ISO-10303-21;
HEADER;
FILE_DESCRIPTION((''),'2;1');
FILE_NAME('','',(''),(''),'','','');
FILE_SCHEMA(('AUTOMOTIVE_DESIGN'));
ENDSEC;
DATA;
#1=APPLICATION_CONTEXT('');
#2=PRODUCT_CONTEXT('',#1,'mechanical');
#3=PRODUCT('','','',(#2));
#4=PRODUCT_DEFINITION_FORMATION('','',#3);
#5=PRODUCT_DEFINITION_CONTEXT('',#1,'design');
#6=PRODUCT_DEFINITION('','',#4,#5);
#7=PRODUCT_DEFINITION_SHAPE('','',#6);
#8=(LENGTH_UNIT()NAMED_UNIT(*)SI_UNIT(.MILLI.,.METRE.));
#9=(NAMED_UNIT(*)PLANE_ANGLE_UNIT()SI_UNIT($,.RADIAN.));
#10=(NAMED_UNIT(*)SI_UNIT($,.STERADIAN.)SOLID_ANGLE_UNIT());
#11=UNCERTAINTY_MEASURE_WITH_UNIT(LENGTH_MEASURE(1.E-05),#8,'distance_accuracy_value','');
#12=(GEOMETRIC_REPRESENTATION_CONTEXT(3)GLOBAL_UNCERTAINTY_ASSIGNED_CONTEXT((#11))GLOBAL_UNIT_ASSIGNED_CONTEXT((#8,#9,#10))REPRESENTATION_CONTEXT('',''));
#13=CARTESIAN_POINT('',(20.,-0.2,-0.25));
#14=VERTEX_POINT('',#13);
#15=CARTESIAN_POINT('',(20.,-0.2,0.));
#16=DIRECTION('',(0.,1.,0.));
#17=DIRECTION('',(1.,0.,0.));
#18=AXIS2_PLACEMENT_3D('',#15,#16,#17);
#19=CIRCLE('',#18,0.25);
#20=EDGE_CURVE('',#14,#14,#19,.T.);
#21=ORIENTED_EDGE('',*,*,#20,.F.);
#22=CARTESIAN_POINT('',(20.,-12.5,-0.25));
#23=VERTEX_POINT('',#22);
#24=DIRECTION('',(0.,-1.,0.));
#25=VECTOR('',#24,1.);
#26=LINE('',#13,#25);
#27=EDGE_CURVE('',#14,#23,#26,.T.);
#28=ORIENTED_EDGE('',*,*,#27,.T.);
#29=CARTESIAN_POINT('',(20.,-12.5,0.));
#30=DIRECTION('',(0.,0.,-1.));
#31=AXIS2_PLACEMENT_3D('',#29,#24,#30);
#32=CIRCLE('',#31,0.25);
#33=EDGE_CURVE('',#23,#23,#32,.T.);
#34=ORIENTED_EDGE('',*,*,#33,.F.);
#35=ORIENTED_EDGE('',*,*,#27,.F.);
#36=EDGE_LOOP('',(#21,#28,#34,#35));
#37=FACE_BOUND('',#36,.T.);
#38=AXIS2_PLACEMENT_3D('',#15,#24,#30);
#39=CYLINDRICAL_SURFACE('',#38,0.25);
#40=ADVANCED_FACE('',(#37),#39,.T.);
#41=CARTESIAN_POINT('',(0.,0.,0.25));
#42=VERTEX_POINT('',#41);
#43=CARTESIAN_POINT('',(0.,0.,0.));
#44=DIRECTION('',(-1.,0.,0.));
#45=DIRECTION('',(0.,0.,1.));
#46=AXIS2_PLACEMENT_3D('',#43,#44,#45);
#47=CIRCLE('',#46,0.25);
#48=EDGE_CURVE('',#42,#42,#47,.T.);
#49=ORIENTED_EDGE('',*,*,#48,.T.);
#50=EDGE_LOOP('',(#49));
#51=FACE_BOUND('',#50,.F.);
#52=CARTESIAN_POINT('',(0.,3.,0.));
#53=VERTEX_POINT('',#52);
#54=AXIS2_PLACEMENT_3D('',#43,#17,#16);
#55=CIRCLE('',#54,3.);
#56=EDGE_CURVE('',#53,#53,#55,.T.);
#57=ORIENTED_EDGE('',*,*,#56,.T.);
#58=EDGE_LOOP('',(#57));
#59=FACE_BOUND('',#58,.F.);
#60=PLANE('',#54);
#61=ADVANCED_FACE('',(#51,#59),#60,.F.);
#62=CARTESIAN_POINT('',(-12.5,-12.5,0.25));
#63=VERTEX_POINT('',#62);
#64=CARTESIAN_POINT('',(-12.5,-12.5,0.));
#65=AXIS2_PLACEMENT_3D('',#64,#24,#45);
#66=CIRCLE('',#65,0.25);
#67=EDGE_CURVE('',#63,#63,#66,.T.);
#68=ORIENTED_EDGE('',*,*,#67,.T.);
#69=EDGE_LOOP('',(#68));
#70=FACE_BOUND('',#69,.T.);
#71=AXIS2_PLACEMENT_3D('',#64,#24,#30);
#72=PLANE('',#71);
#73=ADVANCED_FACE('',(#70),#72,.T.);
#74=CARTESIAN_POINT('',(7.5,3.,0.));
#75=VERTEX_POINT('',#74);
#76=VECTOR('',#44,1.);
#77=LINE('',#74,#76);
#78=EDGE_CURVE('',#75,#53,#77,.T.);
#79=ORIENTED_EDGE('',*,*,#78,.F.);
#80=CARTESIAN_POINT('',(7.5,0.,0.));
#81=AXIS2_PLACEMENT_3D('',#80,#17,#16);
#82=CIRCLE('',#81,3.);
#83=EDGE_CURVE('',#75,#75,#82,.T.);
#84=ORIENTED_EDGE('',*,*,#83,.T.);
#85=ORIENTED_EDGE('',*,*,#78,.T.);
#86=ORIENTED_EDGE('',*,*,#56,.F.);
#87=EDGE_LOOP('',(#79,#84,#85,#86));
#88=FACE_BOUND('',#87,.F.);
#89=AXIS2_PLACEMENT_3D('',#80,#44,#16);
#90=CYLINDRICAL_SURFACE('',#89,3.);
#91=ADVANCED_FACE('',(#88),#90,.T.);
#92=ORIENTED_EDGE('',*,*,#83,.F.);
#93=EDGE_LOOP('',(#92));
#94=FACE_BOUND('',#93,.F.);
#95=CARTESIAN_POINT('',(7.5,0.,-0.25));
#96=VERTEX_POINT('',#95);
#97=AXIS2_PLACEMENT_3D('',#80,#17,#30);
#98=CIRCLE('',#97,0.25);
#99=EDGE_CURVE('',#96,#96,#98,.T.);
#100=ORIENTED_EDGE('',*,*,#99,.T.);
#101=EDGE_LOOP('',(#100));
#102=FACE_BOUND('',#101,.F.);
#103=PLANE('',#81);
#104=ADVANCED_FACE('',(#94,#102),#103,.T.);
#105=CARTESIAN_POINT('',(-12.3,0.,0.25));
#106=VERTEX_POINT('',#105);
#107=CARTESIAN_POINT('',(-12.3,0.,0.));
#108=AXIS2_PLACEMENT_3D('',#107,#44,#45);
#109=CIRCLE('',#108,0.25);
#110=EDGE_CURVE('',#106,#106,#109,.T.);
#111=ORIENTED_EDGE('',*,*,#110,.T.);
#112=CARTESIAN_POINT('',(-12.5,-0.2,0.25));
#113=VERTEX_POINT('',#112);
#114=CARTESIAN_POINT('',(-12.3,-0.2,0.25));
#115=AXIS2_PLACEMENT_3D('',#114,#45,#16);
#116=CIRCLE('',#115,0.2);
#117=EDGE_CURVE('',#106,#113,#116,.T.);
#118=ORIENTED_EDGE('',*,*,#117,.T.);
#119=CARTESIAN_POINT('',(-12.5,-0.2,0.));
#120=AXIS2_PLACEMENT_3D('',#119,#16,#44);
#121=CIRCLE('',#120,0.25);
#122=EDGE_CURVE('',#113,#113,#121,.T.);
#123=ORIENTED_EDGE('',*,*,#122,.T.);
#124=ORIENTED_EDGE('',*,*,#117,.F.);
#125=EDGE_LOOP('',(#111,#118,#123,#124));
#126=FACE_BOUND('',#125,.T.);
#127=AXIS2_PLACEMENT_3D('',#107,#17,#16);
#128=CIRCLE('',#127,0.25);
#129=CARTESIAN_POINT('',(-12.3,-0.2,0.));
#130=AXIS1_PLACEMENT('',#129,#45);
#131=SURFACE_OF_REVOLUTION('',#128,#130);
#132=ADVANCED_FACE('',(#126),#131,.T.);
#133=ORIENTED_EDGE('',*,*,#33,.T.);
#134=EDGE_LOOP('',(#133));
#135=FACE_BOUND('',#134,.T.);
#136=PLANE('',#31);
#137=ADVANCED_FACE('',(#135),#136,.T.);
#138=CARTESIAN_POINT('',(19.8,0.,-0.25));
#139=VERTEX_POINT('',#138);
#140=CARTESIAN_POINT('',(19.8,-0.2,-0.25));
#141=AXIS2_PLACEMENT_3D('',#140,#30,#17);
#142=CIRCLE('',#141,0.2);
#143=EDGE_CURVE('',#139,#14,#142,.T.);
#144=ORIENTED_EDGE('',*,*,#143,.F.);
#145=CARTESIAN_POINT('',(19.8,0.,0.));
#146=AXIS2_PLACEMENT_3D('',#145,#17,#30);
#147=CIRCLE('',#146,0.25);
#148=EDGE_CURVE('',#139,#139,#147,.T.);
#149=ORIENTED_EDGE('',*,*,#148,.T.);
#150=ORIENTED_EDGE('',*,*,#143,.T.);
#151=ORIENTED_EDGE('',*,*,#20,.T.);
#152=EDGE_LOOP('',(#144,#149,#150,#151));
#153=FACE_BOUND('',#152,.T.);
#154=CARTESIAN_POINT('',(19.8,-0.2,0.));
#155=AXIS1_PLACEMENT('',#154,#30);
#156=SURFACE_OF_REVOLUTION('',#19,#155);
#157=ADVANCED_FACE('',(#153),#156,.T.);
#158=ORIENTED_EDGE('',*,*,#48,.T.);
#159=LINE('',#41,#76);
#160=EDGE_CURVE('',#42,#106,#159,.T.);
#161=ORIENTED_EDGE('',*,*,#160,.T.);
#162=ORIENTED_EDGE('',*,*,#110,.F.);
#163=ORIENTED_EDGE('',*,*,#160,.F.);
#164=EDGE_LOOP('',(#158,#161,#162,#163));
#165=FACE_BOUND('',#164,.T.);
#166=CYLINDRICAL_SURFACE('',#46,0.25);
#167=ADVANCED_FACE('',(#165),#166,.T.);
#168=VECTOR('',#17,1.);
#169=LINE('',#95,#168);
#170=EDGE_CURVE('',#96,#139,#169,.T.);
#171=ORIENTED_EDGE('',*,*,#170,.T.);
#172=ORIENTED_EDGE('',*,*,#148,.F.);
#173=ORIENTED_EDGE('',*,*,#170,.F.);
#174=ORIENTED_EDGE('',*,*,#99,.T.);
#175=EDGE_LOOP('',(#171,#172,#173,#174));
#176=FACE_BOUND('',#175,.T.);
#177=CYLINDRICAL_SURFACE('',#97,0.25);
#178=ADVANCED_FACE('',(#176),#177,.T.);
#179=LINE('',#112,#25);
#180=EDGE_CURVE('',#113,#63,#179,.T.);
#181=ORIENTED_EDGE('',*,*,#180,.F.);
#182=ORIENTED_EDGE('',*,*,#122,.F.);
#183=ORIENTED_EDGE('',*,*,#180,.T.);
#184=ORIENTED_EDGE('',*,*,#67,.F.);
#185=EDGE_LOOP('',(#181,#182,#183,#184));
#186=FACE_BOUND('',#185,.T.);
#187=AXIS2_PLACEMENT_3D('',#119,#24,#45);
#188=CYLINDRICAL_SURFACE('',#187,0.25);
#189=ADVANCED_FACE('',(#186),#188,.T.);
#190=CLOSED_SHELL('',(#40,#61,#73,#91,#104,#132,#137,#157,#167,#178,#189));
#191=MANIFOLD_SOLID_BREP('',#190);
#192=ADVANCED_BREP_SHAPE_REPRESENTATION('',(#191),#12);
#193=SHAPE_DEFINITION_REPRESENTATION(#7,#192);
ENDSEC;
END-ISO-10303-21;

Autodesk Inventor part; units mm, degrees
ref_plane "YZ Plane" through (0, 0, 0) normal (1, 0, 0) x (0, 1, 0)
sketch "Sketch1" plane through (0, 0, 0) normal (0, 0, 1) x (1, 0, 0)
  line L0 (0, 0) -> (7.5, 0)
  line L1 (7.5, 0) -> (7.5, 3)
  line L2 (7.5, 3) -> (0, 3)
  line L3 (0, 3) -> (0, 0)
  dimension "d0" = 7.5
  dimension "d1" = 3
revolve "Revolution1" add sketch "Sketch1" angle 360 about axis through (0, 0, 0) along (1, 0, 0)
sketch "Sketch2" plane through (0, 0, 0) normal (0, 0, 1) x (1, 0, 0)
  line L0 (7.5, -3) -> (7.5, 3) projected
  line L1 (7.5, 0) -> (19.8, 0)
  line L2 (20, -0.2) -> (20, -12.5)
  line L3 (0, 0) -> (-12.3, 0)
  line L4 (-12.5, -0.2) -> (-12.5, -12.5)
  arc A0 (-12.3, 0) -> (-12.5, -0.2) centre (-12.3, -0.2) ccw
  arc A1 (20, -0.2) -> (19.8, 0) centre (19.8, -0.2) ccw
  point P0 (20, 0)
  point P1 (-12.5, 0)
  dimension "d3" = 12.5
  dimension "d4" = 12.5
  dimension "d5" = 12.5
  dimension "d6" = 12.5
  dimension "d7" = 0.2
ref_plane "Work Plane1" through (7.5, 0, 0) normal (1, 0, 0) x (0, 0, -1)
ref_plane "Work Plane2" through (0, 0, 0) normal (-1, 0, 0) x (0, 0, 1)
sketch "Sketch3" plane through (7.5, 0, 0) normal (1, 0, 0) x (0, 0, -1)
  circle A0 centre (0, 0) radius 0.25
  dimension "d10" = 0.5
sketch "Sketch4" plane through (0, 0, 0) normal (-1, 0, 0) x (0, 0, 1)
  circle A0 centre (0, 0) radius 0.25
  dimension "d11" = 0.5
sweep "Sweep1" add profiles "Sketch4" path "Sketch2" path curves L3 A0 L4
sweep "Sweep2" add profiles "Sketch3" path "Sketch2" path curves L1 A1 L2
equation "\"BendRadius\" = Thickness"
equation "\"BendReliefWidth\" = Thickness"
equation "\"BendReliefDepth\" = 0.5 * Thickness"
equation "\"CornerReliefSize\" = 4 * Thickness"
equation "\"MinimumRemnant\" = 2 * Thickness"
equation "\"TransitionRadius\" = BendRadius"
equation "\"JacobiRadiusSize\" = BendRadius"
equation "\"GapSize\" = Thickness"
equation "\"Thickness\" = 3.048"
properties part number "KC139"
